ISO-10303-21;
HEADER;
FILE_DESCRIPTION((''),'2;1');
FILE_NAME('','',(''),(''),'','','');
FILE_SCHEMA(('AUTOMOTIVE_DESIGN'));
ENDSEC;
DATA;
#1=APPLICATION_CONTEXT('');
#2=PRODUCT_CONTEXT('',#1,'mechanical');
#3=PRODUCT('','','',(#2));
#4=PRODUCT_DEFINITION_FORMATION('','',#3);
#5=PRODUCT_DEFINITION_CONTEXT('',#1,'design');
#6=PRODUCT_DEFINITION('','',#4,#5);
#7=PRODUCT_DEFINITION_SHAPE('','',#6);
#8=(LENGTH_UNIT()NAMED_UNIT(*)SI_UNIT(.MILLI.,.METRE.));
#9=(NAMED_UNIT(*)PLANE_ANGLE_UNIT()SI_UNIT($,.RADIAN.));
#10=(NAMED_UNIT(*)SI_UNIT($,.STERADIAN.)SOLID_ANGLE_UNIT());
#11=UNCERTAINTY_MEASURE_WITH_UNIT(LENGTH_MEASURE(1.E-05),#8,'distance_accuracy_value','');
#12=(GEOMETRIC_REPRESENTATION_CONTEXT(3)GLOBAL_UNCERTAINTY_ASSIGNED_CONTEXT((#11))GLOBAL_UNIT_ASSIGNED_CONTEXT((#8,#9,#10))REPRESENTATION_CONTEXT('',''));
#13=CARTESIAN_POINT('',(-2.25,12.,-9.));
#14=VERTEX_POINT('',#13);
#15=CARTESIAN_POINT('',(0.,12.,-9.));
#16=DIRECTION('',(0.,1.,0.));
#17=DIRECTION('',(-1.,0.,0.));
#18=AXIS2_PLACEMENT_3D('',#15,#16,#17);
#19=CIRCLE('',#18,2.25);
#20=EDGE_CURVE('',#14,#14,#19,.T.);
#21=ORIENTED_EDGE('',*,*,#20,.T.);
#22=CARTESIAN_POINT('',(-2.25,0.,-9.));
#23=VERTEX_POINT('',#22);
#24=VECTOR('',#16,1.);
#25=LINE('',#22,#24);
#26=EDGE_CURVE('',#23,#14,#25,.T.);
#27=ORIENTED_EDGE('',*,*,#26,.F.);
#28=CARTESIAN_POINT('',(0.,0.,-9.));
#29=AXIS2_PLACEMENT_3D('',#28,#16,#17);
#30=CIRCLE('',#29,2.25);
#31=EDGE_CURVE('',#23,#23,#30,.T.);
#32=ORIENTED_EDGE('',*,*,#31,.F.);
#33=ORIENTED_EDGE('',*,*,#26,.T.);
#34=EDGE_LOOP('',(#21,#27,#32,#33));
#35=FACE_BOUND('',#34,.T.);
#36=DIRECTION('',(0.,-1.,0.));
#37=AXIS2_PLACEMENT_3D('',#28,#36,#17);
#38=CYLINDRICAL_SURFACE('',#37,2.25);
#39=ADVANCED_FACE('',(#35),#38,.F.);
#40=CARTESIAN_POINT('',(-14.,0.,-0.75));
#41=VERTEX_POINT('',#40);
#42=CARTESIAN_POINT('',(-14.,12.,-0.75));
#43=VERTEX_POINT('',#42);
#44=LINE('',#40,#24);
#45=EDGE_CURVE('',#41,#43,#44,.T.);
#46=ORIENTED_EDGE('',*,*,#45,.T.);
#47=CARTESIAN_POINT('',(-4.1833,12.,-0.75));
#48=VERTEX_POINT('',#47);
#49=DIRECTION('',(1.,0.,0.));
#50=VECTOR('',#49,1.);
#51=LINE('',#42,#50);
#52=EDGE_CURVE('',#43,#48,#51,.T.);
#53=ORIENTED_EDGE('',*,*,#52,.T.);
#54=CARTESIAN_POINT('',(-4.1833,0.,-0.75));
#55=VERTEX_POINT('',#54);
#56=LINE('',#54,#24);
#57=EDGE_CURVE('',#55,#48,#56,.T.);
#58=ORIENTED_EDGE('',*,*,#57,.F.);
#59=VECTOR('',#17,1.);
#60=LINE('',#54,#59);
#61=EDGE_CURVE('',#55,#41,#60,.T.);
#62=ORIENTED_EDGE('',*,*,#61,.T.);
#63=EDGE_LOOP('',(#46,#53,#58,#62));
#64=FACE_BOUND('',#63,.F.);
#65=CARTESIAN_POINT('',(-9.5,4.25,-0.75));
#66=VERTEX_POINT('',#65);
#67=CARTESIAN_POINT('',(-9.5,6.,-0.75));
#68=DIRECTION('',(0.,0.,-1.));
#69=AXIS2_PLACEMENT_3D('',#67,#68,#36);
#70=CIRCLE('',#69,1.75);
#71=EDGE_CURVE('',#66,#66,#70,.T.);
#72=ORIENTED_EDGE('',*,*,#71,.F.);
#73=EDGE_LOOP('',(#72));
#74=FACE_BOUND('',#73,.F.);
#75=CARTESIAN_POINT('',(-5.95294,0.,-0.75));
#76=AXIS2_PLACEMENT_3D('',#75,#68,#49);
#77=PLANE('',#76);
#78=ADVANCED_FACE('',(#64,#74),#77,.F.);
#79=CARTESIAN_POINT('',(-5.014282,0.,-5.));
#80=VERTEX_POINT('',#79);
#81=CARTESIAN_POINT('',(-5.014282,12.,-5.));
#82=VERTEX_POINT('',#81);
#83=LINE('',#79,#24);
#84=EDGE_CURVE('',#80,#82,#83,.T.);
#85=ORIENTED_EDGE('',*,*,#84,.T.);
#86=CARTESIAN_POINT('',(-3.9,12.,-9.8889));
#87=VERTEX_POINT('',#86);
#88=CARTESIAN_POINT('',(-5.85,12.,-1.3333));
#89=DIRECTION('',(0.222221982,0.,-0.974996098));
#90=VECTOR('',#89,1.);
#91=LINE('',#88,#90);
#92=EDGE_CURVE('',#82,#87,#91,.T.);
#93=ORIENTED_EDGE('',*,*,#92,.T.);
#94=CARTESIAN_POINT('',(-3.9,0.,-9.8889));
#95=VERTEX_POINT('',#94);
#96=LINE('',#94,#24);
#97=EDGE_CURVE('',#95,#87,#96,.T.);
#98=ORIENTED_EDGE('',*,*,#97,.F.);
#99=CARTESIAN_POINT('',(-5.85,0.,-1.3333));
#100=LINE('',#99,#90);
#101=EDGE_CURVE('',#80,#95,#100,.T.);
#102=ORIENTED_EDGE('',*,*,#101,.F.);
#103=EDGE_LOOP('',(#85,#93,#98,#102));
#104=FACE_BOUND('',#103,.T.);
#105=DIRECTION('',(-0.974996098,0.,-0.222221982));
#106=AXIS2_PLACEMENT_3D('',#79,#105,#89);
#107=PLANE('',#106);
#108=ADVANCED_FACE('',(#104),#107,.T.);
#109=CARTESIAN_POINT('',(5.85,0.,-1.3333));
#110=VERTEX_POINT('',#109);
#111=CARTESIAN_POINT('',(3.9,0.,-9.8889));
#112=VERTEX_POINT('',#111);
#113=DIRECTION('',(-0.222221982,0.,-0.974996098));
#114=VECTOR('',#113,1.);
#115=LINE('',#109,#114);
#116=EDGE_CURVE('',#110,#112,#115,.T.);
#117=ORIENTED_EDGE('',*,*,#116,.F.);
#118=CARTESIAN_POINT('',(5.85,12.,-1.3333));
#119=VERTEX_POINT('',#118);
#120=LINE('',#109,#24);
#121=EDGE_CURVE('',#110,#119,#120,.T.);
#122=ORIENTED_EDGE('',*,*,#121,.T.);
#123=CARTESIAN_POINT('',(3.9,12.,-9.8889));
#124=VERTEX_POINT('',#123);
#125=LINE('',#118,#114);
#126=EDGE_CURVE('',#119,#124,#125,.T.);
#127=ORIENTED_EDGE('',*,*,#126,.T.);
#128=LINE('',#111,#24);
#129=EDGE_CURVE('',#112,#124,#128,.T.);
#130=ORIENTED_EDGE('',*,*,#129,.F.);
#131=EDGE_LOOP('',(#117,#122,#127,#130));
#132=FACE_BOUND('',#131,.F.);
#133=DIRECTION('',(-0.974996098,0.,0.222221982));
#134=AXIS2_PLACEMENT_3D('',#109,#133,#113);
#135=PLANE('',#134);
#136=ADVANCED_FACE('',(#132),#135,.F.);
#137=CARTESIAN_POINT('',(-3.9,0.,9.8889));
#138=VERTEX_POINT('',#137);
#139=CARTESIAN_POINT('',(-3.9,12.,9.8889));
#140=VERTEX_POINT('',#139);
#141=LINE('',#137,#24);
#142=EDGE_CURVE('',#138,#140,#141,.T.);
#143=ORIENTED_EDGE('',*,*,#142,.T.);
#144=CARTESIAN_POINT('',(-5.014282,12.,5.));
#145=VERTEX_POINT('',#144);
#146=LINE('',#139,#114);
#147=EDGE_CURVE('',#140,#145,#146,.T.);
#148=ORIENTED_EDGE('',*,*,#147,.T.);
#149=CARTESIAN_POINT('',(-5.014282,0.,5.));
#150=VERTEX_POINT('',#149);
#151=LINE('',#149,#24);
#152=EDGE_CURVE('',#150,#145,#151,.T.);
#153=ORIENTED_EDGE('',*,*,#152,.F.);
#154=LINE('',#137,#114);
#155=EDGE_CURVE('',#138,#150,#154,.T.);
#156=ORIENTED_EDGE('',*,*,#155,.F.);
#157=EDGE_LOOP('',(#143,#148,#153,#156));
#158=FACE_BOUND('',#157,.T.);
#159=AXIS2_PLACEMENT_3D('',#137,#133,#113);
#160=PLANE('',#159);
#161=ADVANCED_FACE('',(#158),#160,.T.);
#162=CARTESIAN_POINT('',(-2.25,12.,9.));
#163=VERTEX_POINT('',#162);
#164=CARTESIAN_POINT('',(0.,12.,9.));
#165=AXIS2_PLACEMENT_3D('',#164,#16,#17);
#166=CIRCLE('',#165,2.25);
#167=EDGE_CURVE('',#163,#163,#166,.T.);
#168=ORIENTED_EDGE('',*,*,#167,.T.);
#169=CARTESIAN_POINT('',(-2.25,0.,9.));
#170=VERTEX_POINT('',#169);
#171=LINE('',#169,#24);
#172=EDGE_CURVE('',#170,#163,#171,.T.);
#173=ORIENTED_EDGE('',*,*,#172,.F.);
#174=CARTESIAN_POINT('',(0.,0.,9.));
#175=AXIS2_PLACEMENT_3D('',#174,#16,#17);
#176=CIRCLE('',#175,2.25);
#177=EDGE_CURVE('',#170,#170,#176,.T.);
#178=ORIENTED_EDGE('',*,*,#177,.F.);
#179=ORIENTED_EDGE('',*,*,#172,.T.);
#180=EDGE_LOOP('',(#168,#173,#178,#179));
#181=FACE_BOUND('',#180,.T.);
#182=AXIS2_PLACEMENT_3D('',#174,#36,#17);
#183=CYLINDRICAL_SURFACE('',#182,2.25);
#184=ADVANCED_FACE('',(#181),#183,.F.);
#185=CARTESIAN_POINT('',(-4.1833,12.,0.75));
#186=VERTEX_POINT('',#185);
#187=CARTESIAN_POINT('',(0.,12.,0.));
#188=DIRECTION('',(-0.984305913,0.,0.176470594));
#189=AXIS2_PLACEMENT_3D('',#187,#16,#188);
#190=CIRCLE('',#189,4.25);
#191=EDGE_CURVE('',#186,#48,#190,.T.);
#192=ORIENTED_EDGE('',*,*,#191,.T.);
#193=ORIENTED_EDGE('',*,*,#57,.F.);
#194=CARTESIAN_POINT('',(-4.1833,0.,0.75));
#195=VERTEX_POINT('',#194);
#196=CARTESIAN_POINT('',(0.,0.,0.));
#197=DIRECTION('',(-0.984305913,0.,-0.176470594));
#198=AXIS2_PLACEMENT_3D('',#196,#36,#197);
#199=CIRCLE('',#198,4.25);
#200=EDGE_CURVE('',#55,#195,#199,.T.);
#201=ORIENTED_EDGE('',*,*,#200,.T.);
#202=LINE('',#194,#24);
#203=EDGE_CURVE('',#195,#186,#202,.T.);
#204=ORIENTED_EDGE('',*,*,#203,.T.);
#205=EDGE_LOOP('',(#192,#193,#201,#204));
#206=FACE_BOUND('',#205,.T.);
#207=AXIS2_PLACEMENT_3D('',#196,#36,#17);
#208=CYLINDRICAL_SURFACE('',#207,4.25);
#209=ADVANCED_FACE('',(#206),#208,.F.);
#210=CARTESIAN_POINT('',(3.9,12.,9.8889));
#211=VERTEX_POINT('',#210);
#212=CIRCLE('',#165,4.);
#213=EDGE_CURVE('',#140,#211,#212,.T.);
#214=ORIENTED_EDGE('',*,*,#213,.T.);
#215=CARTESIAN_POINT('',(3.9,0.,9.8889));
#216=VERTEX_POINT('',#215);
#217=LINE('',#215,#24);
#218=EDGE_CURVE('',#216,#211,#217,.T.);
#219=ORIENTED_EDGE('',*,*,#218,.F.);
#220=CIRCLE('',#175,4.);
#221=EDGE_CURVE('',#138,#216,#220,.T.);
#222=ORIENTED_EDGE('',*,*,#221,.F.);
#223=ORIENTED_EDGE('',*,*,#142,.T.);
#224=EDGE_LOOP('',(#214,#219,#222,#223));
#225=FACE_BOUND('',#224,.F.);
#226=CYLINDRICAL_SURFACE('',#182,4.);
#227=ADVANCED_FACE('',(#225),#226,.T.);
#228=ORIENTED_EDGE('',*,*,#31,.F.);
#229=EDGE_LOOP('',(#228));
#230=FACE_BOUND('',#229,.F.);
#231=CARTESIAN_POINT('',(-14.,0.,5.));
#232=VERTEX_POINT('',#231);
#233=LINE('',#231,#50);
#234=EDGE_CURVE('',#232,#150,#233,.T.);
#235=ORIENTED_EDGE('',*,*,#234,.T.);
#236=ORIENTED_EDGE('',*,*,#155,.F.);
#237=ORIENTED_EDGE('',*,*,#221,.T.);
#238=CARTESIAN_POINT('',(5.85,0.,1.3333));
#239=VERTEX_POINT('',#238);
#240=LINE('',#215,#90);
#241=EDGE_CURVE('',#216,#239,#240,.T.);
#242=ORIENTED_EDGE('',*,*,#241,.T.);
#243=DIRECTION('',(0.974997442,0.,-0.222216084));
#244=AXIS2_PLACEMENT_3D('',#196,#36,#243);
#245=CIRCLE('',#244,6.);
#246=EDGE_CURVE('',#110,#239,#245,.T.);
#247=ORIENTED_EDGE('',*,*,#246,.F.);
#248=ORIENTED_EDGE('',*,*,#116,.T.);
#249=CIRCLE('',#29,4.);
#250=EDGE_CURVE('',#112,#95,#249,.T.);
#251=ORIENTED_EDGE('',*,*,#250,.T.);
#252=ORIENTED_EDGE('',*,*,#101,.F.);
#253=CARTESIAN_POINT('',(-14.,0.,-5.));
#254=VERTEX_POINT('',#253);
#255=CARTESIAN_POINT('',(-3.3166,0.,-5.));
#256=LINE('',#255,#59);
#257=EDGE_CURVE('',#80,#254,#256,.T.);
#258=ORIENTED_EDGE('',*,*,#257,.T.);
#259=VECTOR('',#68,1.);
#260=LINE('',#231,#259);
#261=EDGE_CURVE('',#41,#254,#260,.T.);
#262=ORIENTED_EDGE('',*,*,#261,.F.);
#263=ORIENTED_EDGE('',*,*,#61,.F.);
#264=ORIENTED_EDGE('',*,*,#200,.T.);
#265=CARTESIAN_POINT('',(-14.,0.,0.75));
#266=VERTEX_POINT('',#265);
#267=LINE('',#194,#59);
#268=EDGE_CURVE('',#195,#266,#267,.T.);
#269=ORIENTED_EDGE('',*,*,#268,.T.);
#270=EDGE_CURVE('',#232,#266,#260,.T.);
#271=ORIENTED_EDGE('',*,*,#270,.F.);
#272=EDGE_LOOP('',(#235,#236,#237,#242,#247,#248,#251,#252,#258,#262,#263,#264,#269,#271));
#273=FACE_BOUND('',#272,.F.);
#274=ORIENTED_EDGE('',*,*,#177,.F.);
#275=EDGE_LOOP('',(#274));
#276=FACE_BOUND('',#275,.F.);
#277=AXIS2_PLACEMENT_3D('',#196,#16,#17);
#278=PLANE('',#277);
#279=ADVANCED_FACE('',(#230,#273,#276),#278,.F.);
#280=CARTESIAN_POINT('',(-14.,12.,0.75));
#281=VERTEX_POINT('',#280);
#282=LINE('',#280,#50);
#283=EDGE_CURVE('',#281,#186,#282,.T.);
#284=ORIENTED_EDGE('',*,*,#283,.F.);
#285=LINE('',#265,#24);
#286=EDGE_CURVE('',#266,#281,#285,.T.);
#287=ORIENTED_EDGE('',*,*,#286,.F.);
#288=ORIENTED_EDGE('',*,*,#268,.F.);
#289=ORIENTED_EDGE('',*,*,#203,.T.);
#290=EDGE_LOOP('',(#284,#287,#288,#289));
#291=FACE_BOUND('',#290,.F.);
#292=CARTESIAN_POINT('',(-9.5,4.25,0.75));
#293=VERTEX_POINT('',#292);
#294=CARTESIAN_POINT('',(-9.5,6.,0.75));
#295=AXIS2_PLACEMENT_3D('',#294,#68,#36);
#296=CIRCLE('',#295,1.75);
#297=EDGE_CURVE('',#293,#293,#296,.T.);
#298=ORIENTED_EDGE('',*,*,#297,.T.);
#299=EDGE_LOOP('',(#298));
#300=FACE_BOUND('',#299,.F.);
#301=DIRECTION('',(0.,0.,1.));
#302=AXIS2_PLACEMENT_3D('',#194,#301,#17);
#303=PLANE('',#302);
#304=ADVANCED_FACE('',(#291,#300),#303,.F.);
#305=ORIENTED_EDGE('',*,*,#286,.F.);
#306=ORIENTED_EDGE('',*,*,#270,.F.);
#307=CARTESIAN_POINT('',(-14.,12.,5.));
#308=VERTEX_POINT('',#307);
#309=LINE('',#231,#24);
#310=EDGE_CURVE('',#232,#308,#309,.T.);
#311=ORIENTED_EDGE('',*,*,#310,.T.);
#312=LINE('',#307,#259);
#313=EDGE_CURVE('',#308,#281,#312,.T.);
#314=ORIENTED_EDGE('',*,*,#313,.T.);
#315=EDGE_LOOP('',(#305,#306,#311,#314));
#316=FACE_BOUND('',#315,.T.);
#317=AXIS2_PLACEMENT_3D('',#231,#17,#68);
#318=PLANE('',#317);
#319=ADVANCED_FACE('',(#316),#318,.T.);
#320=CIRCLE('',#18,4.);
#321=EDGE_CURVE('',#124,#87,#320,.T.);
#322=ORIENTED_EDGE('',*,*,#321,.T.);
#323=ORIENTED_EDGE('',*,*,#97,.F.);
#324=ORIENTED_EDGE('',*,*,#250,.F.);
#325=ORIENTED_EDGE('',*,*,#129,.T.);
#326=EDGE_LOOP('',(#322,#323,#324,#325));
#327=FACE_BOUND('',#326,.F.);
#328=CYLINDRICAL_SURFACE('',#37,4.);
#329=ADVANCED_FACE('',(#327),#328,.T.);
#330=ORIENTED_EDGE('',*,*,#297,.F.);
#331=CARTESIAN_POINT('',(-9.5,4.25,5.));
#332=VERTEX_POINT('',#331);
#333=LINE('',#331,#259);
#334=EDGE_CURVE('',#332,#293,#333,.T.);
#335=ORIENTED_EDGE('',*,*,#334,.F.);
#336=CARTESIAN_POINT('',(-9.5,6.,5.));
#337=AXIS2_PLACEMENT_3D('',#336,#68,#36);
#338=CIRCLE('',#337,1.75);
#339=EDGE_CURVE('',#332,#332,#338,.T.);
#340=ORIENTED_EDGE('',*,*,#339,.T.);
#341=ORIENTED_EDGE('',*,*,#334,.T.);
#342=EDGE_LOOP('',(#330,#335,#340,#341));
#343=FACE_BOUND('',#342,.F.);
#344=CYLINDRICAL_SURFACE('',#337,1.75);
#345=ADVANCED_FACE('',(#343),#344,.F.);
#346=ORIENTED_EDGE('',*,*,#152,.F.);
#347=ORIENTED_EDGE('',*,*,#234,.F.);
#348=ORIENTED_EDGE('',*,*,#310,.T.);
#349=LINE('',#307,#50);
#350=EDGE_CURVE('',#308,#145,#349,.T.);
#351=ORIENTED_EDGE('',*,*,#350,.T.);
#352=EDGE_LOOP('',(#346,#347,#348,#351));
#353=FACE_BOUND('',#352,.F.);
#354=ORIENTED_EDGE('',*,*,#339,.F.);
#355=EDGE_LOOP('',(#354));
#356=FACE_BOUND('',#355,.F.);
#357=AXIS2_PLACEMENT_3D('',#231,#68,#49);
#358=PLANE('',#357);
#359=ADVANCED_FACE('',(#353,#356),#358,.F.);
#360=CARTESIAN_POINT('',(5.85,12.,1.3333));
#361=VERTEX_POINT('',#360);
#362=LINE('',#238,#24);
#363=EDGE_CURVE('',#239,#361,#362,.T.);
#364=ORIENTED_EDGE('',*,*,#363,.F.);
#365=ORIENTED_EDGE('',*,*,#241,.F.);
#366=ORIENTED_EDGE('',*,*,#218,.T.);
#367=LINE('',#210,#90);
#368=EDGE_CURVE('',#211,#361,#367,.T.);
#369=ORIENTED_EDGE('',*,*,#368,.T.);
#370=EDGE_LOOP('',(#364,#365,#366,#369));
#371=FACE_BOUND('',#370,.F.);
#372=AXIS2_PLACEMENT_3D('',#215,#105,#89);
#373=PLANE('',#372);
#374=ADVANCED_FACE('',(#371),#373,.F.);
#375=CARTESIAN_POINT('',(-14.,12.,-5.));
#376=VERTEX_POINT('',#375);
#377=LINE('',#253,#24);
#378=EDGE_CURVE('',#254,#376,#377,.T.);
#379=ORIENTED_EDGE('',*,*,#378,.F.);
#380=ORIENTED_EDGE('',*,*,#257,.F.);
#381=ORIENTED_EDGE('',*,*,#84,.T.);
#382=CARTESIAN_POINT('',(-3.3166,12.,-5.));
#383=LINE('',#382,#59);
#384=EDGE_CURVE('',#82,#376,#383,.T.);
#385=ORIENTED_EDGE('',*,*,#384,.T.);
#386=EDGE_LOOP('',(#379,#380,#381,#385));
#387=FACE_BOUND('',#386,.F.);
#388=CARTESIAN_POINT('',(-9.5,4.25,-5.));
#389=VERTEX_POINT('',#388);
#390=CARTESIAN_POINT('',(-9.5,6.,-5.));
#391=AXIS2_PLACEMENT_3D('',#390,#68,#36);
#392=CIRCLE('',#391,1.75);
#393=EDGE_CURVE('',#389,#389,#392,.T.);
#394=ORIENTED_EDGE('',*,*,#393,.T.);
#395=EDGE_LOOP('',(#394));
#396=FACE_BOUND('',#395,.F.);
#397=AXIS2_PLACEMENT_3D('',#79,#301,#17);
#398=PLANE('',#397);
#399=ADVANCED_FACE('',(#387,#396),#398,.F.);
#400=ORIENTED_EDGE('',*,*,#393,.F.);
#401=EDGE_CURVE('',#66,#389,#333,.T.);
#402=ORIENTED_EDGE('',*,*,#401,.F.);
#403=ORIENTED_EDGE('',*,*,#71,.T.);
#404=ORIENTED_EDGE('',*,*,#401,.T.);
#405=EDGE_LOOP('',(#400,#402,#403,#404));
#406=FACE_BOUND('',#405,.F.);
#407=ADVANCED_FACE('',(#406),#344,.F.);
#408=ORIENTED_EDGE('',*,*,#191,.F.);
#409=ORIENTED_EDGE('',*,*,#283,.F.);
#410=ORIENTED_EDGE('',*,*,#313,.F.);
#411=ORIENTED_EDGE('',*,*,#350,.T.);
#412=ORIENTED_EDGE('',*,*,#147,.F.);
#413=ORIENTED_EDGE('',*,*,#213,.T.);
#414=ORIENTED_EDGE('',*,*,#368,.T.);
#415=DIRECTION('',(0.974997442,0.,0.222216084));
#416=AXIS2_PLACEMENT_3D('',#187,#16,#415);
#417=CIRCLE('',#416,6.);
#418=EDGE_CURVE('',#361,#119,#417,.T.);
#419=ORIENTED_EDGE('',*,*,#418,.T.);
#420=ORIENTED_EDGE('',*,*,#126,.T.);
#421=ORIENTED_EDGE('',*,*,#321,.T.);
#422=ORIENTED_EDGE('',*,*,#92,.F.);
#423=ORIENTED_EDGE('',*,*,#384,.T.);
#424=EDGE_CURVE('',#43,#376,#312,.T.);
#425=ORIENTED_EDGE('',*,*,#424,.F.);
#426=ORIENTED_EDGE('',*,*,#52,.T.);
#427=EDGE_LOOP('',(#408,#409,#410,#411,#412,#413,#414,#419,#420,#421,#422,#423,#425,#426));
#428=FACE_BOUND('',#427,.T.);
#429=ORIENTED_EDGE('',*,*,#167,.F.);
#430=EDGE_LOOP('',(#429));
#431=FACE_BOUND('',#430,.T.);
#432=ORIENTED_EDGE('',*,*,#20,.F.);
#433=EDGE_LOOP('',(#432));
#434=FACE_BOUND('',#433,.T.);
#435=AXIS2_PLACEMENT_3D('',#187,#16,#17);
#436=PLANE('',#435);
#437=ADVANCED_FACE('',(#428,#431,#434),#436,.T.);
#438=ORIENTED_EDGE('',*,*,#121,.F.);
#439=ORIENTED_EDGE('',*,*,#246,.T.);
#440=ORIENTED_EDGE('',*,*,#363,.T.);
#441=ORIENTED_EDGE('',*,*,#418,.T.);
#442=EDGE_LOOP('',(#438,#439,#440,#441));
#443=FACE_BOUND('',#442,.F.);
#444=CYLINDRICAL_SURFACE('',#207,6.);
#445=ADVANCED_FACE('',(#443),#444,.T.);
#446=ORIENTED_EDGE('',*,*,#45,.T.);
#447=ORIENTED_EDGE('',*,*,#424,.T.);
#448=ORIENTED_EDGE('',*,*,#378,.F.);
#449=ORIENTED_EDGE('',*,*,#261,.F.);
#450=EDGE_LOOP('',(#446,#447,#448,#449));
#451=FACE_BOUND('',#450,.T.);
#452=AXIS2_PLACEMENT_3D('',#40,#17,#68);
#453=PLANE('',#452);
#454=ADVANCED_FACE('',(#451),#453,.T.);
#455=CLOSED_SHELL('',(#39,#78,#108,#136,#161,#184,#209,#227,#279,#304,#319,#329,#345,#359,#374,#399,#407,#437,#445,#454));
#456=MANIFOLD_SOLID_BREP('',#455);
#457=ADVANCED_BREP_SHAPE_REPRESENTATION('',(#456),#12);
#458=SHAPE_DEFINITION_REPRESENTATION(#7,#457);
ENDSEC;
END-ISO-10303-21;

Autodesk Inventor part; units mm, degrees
ref_plane "YZ Plane" through (0, 0, 0) normal (1, 0, 0) x (0, 1, 0)
ref_plane "XZ Plane" through (0, 0, 0) normal (0, 1, 0) x (-1, 0, 0)
ref_plane "XY Plane" through (0, 0, 0) normal (0, 0, 1) x (1, 0, 0)
sketch "Sketch1" plane through (0, 0, 0) normal (0, 1, 0) x (-1, 0, 0)
  circle A0 centre (0, 0) radius 4.25
  circle A1 centre (0, 0) radius 6
  line L0 (14, 5) -> (14, -5)
  line L1 (4.1833, 0.75) -> (14, 0.75)
  line L2 (14, 0.75) -> (14, -0.75)
  line L3 (14, -0.75) -> (4.1833, -0.75)
  circle A2 centre (0, 9) radius 2.25
  circle A3 centre (0, -9) radius 2.25
  circle A4 centre (0, 9) radius 4
  circle A5 centre (0, -9) radius 4
  line L4 (3.9, 9.8889) -> (5.85, 1.3333)
  line L5 (-3.9, 9.8889) -> (-5.85, 1.3333)
  line L6 (5.85, -1.3333) -> (3.9, -9.8889)
  line L7 (-5.85, -1.3333) -> (-3.9, -9.8889)
  line L8 (3.3166, -5) -> (14, -5)
  line L9 (14, 5) -> (3.3166, 5)
  line L10 (18, 0) -> (-10, 0) projected
  point P0 (14, 0)
  point P1 (14, -0.75)
  point P2 (14, 0.75)
  point P3 (5.0143, -5)
  point P4 (5.0143, 5)
  point P5 (5.9529, -0.75)
  point P6 (6, 0)
  point P7 (14, 0)
  dimension "d0" = 8.5
  dimension "d1" = 12
  dimension "d2" = 10
  dimension "d3" = 14
  dimension "d4" = 1.5
  dimension "d5" = 14
  dimension "d6" = 4.5
  dimension "d7" = 4.5
  dimension "d8" = 18
  dimension "d9" = 9
  dimension "d10" = 8
  dimension "d11" = 8
  dimension "d30" = 5
extrude "Extrusion1" add sketch "Sketch1" along normal blind 12 contours A0 L10 A1 A4 L1 | L3 A1 A5 L10 A0 | A1 L4 L9 L0 L1 | L3 L0 L8 L6 A1 | A1 L9 L4 | L6 L8 A1 | L5 A4 A1 | A1 A5 L7 | A1 A4 L4 L9 | L8 L6 A5 A1 | A4 A1 | A1 A4 | A5 A1 | A1 A5
sketch "Sketch4" plane through (-14, 0, 5) normal (0, 0, 1) x (1, 0, 0)
  line L0 (0, 0) -> (8.9857, 0) projected
  line L1 (0, 12) -> (8.9857, 12) projected
  point P0 (14, 0)
  point P1 (4.5, 6)
  dimension "d31" = 6
  dimension "d32" = 6
  dimension "d33" = 4.5
hole "Hole1" at (-9.5, 6, 5) direction (0, 0, -1) diameter 3.5 depth 10
equation "\"d12\" = d1"
properties part number "Kep_Truc"
